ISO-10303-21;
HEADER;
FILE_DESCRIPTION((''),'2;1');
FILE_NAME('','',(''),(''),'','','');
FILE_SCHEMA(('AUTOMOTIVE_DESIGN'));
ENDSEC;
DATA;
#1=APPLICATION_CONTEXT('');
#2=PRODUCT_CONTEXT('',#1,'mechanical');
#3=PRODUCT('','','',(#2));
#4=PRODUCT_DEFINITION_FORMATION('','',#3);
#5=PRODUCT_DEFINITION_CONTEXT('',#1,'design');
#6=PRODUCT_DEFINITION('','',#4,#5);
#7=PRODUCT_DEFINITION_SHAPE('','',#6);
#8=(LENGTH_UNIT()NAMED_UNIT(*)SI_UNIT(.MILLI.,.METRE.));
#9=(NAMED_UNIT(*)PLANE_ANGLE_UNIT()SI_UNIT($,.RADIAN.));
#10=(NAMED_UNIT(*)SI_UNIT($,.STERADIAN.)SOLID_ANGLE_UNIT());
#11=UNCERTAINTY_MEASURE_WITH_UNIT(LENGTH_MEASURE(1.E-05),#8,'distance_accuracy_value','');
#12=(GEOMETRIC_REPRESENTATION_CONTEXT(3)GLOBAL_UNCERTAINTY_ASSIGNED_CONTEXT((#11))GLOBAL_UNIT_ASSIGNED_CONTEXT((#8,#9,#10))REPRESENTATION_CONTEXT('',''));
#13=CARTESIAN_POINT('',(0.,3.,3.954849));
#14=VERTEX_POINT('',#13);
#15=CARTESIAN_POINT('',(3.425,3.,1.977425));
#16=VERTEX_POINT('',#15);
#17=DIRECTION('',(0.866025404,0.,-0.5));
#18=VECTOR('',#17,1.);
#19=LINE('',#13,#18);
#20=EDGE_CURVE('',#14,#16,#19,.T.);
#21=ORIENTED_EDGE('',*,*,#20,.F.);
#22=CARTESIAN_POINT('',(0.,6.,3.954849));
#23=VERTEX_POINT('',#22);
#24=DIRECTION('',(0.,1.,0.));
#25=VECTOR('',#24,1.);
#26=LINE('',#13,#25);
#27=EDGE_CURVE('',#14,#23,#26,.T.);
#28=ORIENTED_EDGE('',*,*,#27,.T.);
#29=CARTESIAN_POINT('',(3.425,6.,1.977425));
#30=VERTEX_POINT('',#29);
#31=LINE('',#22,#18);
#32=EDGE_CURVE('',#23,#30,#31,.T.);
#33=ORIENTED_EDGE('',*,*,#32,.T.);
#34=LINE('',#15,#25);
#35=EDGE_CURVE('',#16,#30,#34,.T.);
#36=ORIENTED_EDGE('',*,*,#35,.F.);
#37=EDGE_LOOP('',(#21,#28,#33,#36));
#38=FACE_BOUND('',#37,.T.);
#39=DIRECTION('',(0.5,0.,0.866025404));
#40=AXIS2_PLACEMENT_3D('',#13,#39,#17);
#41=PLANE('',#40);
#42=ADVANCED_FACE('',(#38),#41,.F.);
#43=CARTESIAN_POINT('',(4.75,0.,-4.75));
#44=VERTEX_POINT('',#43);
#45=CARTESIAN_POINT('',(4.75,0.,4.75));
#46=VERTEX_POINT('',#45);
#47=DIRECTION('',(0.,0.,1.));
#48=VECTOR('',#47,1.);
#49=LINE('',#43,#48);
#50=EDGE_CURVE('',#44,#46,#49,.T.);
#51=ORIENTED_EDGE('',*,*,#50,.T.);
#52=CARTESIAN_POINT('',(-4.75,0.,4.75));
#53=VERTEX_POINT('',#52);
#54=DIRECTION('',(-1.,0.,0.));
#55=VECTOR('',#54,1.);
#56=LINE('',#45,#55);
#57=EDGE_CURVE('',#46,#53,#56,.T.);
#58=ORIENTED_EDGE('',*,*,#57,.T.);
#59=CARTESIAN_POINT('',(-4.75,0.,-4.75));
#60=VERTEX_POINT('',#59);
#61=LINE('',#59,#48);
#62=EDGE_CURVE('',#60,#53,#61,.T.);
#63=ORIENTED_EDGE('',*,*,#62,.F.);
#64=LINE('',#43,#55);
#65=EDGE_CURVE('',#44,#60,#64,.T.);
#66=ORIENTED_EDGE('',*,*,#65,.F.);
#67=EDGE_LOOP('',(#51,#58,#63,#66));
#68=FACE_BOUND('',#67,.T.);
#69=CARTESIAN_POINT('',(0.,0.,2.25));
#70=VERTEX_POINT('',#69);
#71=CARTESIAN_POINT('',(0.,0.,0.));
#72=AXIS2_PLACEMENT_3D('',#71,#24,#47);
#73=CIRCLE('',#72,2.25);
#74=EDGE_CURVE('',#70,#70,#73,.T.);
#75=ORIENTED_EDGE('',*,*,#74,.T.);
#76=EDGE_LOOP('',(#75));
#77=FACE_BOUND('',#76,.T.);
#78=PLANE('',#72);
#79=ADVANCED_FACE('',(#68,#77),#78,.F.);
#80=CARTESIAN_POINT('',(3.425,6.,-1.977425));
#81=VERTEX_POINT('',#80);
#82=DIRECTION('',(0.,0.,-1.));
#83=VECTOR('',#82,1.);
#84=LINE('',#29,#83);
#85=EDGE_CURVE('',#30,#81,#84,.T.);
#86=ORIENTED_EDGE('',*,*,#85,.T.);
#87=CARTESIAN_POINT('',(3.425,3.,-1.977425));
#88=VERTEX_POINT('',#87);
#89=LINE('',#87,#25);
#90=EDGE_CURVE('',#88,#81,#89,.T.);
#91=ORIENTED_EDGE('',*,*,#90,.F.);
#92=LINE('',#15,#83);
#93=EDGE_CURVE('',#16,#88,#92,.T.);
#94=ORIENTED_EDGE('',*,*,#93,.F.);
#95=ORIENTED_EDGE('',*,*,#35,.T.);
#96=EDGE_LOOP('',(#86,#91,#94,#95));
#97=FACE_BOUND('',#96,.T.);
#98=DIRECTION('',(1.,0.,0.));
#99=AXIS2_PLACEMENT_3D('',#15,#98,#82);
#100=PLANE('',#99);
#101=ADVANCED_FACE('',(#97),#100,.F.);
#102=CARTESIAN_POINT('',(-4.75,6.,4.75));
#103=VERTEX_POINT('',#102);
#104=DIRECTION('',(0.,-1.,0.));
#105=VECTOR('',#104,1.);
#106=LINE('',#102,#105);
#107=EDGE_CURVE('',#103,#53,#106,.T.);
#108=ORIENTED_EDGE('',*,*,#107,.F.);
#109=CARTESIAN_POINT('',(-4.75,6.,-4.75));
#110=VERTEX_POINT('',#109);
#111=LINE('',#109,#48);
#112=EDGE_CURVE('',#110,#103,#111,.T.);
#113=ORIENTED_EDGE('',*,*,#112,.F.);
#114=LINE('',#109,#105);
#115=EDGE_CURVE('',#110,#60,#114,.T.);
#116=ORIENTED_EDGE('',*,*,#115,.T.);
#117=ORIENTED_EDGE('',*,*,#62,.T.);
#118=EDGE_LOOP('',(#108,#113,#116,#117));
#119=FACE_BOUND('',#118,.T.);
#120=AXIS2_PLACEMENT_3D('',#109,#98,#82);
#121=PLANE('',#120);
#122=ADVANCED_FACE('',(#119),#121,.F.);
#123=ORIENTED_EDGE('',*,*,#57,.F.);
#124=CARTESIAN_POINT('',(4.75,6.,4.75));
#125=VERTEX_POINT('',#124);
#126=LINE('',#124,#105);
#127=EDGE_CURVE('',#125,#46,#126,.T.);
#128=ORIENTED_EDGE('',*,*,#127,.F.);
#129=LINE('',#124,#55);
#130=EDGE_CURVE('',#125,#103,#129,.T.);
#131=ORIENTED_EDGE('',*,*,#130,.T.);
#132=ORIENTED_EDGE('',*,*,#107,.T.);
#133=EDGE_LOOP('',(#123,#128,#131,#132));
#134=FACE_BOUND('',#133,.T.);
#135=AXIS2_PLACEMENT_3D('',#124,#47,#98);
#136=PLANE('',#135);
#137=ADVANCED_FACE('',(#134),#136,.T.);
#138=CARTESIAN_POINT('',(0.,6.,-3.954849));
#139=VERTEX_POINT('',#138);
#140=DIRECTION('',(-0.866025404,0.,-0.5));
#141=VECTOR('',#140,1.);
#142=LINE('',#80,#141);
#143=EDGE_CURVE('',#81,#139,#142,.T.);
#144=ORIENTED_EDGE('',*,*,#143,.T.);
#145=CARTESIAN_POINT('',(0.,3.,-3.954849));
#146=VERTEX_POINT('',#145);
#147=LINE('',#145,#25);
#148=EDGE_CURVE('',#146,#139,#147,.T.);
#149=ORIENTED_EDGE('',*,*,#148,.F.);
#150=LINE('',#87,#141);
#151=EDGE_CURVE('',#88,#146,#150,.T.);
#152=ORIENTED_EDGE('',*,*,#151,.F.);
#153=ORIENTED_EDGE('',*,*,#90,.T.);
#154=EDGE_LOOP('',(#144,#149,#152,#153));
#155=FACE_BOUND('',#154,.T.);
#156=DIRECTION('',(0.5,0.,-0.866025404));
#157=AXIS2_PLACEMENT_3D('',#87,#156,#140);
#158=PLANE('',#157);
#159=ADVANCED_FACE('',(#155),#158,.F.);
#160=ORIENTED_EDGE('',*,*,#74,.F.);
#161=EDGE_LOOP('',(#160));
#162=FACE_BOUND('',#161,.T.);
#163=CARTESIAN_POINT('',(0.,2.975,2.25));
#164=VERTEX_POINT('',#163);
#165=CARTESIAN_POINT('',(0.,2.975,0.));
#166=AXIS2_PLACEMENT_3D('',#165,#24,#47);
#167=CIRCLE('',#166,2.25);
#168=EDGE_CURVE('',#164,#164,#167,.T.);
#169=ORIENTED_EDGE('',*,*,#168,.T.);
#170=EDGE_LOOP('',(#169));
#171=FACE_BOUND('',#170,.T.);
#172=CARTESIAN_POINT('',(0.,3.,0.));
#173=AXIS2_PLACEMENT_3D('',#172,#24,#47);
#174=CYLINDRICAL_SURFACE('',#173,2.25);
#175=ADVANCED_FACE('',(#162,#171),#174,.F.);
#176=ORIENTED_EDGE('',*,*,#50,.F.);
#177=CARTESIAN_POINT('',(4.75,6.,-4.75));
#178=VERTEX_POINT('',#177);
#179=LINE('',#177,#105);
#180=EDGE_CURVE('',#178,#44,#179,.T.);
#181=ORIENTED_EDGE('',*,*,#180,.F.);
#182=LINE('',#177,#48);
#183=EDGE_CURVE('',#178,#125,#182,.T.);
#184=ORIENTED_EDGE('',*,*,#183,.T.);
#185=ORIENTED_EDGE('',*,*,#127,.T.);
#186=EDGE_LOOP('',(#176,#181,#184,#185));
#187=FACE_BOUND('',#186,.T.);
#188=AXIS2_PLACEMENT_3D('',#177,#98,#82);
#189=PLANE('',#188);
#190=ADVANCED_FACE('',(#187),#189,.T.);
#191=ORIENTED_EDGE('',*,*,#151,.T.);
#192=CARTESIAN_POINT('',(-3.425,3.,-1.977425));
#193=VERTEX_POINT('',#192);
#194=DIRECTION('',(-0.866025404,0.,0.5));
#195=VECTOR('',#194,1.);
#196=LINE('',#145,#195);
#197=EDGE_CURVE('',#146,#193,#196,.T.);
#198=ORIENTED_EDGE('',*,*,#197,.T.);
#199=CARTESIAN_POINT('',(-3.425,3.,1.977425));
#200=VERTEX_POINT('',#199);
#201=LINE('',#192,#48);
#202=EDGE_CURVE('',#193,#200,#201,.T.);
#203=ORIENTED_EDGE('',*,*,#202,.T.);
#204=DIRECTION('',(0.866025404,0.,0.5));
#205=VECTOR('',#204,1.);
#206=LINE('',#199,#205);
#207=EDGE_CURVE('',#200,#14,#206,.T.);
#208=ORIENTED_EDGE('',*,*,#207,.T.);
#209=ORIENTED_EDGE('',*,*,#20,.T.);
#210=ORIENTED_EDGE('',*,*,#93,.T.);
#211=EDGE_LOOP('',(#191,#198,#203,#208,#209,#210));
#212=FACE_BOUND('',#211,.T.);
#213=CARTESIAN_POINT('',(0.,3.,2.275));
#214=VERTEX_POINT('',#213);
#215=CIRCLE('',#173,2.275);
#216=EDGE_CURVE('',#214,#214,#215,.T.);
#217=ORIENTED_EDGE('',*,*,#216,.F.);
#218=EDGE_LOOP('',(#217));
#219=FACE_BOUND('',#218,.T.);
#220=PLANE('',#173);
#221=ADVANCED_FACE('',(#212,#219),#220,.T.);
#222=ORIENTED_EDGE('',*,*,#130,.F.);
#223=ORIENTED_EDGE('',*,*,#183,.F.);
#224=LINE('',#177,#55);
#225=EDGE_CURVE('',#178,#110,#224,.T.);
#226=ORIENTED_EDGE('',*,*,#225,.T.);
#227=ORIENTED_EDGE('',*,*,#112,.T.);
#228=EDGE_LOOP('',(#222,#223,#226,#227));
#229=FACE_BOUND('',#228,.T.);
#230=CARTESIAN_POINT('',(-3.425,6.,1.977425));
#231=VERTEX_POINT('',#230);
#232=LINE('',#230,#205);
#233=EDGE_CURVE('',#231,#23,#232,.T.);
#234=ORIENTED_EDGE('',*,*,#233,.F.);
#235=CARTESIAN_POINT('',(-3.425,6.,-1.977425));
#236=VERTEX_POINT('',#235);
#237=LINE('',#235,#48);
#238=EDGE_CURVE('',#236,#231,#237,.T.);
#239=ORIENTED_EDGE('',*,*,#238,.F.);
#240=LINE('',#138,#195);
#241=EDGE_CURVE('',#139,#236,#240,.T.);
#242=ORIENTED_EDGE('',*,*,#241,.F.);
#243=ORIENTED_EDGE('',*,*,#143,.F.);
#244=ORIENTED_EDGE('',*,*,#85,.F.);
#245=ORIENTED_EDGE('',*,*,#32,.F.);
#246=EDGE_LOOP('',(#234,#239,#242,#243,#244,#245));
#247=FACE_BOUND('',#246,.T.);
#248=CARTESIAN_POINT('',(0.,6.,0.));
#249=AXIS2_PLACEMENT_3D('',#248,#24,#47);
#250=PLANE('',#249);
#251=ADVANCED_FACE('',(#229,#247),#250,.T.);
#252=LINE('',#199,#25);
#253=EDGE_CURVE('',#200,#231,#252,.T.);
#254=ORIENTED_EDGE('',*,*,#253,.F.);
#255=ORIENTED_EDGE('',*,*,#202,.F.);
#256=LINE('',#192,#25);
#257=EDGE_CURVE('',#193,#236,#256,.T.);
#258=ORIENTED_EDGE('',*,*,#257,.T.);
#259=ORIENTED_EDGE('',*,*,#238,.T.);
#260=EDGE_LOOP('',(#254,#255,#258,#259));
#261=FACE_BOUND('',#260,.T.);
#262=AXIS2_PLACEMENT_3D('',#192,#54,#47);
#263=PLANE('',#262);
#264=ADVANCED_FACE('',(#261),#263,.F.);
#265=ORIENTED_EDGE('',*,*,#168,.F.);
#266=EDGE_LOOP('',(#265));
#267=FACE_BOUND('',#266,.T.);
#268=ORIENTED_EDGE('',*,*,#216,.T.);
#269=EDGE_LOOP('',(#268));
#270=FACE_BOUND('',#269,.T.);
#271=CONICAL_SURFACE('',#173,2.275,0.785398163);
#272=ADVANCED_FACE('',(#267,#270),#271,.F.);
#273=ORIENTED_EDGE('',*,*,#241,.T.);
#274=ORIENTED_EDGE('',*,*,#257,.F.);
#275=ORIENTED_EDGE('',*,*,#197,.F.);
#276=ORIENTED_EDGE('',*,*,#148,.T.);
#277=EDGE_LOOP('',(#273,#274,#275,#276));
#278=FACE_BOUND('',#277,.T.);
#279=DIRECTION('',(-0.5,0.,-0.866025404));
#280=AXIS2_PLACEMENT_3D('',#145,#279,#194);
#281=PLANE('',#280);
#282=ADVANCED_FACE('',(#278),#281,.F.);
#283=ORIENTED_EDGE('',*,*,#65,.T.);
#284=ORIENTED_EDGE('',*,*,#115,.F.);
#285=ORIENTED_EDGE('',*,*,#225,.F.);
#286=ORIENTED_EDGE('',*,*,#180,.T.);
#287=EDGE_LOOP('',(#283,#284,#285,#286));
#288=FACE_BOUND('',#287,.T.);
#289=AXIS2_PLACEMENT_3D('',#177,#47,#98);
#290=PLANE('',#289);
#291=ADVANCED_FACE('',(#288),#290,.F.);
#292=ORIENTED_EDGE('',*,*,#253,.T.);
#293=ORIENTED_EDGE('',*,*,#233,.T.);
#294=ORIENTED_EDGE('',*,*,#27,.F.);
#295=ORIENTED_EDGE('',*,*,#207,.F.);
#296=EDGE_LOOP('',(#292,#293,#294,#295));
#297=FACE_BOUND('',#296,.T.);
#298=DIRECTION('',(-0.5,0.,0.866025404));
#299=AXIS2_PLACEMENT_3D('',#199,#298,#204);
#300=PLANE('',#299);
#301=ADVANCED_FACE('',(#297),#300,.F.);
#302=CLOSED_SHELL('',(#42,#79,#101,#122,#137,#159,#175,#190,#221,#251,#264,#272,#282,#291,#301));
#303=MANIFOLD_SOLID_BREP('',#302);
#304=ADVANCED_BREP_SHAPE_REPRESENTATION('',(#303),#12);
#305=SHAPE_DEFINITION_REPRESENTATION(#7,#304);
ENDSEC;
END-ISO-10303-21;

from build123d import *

# Parameters (mm, degrees)
SKETCH1_W                      = 9.5
SKETCH1_H                      = 9.5
BOSS_EXTRUDE1_DEPTH            = 6
CUT_EXTRUDE1_DEPTH             = 3
M4_CLEARANCE_HOLE1_D           = 4.5
M4_CLEARANCE_HOLE1_CSINK_D     = 4.55
M4_CLEARANCE_HOLE1_CSINK_ANGLE = 90


with BuildPart() as part:
    # Sketch1 → Boss-Extrude1 (new body)
    with BuildSketch(Plane(origin=(0, 0, 0), x_dir=(1, 0, 0), z_dir=(0, 1, 0))):
        Rectangle(SKETCH1_W, SKETCH1_H)
    extrude(amount=BOSS_EXTRUDE1_DEPTH)

    # Sketch2 → Cut-Extrude1 (cut)
    with BuildSketch(Plane(origin=(0, 6, 0), x_dir=(1, 0, 0), z_dir=(0, 1, 0))):
        Polygon((0, -3.954849344), (3.425, -1.977424672), (3.425, 1.977424672), (0, 3.954849344), (-3.425, 1.977424672), (-3.425, -1.977424672), align=None)
    extrude(amount=-CUT_EXTRUDE1_DEPTH, mode=Mode.SUBTRACT)

    # M4 Clearance Hole1 (through all)
    with Locations(Plane(origin=(0, 3, 0), x_dir=(1, 0, 0), z_dir=(0, 1, 0))):
        with Locations((0, 0)):
            CounterSinkHole(M4_CLEARANCE_HOLE1_D / 2, M4_CLEARANCE_HOLE1_CSINK_D / 2, counter_sink_angle=M4_CLEARANCE_HOLE1_CSINK_ANGLE)


solid = part.part
